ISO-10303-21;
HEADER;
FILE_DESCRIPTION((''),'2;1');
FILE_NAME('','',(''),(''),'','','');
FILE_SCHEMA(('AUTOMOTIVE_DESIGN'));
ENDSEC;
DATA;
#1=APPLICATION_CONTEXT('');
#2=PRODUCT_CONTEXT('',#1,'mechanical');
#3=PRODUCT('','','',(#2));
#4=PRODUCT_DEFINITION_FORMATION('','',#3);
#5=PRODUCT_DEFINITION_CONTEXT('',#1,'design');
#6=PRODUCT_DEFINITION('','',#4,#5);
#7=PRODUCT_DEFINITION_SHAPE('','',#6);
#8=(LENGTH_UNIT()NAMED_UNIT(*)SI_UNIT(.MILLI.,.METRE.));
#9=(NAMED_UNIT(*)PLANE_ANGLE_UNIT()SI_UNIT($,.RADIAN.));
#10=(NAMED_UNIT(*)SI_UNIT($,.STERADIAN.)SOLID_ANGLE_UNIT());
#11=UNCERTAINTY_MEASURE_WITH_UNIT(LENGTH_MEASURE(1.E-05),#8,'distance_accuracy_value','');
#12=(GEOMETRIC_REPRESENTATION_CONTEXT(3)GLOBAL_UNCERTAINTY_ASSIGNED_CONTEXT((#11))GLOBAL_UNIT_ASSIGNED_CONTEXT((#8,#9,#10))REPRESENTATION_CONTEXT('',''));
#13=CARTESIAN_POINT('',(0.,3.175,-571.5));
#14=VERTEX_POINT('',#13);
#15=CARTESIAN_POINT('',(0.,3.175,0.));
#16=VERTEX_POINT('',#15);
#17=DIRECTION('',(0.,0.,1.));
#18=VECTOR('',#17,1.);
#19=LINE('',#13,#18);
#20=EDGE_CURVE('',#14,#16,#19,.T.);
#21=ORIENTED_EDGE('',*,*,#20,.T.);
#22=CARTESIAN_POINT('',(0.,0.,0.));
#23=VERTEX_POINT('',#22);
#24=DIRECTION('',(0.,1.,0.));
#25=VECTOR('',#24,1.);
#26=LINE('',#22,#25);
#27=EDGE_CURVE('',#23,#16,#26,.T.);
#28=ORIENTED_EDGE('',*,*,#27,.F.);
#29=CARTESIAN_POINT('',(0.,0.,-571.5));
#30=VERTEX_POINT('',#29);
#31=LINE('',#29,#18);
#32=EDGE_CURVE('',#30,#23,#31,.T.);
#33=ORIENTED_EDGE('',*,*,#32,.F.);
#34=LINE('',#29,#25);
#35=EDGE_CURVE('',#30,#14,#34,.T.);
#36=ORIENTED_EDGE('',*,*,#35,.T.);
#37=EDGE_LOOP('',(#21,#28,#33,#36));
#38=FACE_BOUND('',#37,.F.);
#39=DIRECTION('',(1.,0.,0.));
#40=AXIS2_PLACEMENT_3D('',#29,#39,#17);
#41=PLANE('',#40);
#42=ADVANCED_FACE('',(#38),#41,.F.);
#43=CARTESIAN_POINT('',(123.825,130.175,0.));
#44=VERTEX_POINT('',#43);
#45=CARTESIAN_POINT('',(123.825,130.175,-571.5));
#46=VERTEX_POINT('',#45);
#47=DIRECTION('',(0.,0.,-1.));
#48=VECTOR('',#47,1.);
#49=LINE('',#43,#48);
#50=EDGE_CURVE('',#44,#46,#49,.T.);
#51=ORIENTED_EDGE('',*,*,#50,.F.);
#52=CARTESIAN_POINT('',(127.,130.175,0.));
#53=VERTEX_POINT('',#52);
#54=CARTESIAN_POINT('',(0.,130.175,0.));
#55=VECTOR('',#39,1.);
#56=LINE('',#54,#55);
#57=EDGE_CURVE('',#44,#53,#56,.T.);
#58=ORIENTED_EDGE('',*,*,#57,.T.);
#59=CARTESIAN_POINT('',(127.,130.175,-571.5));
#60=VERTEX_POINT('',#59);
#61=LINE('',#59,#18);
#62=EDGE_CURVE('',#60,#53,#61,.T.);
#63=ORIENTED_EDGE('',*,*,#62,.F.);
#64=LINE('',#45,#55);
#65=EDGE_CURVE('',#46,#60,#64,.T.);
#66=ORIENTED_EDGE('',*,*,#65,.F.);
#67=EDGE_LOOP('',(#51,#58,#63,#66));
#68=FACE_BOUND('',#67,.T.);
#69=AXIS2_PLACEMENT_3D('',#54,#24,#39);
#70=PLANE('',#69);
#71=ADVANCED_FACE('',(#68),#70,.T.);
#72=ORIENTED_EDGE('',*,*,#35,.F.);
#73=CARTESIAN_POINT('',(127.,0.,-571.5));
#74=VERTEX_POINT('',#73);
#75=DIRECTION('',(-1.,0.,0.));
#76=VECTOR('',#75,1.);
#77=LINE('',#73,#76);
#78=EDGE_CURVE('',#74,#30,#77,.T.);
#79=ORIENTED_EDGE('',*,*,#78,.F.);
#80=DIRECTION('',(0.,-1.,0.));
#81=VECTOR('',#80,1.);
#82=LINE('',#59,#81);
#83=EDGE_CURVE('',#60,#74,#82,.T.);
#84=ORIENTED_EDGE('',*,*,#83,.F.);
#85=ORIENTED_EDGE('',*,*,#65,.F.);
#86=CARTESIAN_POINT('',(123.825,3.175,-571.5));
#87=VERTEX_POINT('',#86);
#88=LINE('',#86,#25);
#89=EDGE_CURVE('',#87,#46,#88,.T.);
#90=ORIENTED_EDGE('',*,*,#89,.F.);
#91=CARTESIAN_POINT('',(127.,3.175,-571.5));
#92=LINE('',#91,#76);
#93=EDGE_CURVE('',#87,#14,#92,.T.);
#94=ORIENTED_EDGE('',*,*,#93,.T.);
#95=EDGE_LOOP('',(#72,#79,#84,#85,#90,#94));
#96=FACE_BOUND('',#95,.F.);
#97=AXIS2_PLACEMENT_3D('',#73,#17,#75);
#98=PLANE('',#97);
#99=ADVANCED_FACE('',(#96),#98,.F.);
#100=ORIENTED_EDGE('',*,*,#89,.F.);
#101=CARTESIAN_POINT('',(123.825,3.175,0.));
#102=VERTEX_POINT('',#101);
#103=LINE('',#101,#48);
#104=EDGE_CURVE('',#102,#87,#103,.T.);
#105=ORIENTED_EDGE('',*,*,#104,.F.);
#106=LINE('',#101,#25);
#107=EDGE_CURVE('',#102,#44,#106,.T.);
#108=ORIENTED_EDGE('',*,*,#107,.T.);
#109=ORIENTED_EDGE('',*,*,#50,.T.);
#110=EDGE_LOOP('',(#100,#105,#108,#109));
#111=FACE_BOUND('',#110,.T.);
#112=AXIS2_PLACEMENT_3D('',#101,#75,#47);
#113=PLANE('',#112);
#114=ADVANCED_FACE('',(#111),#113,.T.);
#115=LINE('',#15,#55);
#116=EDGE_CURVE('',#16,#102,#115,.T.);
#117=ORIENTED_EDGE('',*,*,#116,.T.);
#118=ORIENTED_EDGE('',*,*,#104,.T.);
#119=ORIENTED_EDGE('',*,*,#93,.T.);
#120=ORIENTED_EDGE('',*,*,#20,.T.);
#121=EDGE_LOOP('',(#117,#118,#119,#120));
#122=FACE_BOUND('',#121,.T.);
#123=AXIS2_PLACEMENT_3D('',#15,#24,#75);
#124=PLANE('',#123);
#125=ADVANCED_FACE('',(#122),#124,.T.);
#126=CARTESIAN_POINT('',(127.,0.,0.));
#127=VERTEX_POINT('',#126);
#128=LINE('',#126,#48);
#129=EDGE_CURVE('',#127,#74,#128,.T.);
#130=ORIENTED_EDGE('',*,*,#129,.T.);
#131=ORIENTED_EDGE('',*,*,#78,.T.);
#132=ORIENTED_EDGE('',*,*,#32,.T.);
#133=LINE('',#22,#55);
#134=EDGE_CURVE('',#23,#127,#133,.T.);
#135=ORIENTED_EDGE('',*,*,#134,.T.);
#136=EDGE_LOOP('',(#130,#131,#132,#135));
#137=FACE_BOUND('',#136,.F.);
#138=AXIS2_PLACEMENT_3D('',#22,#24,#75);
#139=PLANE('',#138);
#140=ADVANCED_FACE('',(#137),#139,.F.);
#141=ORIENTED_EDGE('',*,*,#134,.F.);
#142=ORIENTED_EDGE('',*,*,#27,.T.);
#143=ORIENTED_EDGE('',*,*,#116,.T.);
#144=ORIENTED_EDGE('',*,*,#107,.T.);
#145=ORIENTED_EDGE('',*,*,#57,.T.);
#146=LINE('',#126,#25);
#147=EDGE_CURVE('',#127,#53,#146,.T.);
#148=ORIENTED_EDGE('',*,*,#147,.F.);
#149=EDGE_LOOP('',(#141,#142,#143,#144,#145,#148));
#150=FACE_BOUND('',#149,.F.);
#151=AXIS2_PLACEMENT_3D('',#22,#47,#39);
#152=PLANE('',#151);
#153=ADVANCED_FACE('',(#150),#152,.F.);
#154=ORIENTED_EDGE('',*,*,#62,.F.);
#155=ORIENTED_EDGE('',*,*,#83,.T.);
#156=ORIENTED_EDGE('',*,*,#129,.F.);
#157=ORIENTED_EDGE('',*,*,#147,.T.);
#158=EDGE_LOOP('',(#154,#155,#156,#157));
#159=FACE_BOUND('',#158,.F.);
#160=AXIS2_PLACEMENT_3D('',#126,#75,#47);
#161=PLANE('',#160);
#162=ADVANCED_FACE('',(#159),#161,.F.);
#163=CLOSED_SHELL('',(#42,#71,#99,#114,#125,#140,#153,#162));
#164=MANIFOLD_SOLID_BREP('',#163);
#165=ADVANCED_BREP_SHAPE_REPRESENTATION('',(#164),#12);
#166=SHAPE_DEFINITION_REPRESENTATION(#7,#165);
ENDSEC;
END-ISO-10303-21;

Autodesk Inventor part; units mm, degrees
ref_plane "YZ Plane" through (0, 0, 0) normal (1, 0, 0) x (0, 1, 0)
ref_plane "XZ Plane" through (0, 0, 0) normal (0, 1, 0) x (-1, 0, 0)
ref_plane "XY Plane" through (0, 0, 0) normal (0, 0, 1) x (1, 0, 0)
sketch "Sketch1" plane through (0, 0, 0) normal (0, 1, 0) x (-1, 0, 0)
  line L0 (0, 0) -> (-127, 0)
  line L1 (-127, 0) -> (-127, -571.5)
  line L2 (-127, -571.5) -> (0, -571.5)
  line L3 (0, -571.5) -> (0, 0)
  dimension "d0" = 127
  dimension "d1" = 571.5
extrude "Extrusion1" add sketch "Sketch1" along normal blind 3.175
sketch "Sketch2" plane through (0, 3.175, 0) normal (0, 1, 0) x (1, 0, 0)
  line L0 (0, 0) -> (127, 0) projected
  line L1 (127, 0) -> (123.825, 0)
  line L2 (123.825, 0) -> (123.825, 571.5)
  line L3 (123.825, 571.5) -> (127, 571.5)
  line L4 (127, 571.5) -> (127, 0)
  dimension "d4" = 3.175
  dimension "d5" = 571.5
extrude "Extrusion2" add sketch "Sketch2" along normal blind 127
properties part number "L Expander Fold" material "Aluminum 6061"
